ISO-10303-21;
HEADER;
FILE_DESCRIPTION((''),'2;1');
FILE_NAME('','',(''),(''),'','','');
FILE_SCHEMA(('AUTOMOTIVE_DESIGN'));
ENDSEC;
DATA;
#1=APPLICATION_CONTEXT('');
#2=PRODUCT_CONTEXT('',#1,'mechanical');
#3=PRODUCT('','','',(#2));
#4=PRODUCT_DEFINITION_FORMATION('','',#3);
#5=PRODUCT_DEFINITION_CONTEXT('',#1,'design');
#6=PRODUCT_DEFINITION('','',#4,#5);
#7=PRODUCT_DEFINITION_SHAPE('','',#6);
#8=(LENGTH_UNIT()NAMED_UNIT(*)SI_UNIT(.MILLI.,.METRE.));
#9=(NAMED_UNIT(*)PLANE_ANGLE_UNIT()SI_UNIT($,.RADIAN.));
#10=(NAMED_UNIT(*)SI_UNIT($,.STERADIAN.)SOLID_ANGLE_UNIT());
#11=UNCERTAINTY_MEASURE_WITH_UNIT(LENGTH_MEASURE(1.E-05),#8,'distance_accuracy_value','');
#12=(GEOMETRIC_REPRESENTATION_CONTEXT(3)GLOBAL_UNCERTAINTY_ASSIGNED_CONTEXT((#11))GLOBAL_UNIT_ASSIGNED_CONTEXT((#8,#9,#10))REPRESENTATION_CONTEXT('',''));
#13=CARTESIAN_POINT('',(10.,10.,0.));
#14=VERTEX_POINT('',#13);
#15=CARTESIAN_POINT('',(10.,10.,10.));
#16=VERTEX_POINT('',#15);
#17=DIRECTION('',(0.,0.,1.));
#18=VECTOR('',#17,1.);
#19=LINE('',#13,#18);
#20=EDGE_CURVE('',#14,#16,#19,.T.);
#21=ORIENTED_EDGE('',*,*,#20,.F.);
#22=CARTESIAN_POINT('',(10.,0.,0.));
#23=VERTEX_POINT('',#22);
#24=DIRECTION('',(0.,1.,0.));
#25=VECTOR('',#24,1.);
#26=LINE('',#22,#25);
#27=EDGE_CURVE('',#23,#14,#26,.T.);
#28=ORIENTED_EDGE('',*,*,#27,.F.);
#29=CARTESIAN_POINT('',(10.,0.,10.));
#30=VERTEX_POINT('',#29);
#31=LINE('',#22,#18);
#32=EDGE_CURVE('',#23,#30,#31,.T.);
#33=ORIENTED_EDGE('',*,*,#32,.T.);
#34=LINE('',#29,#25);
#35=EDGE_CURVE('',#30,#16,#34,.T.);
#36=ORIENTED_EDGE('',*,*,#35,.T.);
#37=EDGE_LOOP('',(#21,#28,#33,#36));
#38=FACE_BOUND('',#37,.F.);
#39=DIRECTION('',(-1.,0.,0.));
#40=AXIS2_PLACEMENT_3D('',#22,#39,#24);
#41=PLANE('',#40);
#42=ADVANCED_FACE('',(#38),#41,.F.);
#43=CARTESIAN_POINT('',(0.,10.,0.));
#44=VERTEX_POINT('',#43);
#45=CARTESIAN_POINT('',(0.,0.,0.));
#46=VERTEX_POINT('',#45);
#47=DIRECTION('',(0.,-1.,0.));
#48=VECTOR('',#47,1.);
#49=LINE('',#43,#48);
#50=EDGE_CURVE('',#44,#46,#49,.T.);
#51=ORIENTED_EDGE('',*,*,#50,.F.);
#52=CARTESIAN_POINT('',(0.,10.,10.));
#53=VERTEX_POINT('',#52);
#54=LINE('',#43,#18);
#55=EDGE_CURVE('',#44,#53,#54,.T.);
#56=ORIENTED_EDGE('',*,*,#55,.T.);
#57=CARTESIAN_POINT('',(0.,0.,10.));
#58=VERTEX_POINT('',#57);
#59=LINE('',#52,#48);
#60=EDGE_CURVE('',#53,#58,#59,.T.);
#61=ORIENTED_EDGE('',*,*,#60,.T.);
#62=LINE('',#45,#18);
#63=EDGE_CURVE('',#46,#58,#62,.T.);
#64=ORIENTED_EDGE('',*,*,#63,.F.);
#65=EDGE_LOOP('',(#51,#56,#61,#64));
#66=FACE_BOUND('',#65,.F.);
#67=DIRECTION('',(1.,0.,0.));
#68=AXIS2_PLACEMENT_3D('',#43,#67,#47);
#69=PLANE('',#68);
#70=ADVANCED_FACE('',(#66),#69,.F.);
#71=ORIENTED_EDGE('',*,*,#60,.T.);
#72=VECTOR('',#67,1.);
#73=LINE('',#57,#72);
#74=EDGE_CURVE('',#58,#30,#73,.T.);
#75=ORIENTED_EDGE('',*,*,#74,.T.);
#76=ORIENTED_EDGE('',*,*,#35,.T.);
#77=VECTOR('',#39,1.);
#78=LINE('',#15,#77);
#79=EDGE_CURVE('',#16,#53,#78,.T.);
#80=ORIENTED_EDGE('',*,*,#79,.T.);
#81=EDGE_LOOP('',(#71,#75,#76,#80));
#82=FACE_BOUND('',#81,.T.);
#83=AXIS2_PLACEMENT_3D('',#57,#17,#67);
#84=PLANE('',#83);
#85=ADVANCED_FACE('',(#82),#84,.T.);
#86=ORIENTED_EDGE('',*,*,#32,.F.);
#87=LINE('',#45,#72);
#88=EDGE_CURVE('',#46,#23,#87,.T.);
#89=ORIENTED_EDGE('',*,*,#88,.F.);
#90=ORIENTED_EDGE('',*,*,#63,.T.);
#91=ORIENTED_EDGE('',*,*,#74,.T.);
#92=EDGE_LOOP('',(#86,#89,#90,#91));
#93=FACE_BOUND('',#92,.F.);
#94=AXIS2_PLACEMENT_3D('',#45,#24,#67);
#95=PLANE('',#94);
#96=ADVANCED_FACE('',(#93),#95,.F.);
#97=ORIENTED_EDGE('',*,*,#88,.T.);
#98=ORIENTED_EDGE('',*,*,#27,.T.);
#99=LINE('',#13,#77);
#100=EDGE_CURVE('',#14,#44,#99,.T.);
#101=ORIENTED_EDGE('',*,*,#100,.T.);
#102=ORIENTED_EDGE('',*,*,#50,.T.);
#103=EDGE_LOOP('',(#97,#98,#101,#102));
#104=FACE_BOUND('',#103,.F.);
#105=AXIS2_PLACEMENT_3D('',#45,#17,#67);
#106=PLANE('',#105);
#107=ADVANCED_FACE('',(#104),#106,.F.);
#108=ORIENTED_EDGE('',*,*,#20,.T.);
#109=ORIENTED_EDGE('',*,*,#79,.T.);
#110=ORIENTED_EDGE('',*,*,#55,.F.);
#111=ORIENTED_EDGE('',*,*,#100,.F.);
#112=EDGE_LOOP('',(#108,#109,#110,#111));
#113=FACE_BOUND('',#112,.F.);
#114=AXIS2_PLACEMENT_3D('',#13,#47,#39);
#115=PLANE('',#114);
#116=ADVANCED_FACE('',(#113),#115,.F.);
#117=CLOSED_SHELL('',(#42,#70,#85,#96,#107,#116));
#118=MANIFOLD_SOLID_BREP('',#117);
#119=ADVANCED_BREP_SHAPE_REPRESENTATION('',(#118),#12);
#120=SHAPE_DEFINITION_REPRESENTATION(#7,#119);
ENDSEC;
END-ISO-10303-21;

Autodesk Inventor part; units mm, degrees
ref_plane "YZ Plane" through (0, 0, 0) normal (1, 0, 0) x (0, 1, 0)
ref_plane "XZ Plane" through (0, 0, 0) normal (0, 1, 0) x (-1, 0, 0)
ref_plane "XY Plane" through (0, 0, 0) normal (0, 0, 1) x (1, 0, 0)
sketch "Sketch1" plane through (0, 0, 0) normal (0, 0, 1) x (1, 0, 0)
  line L0 (0, 0) -> (10, 0)
  line L1 (10, 0) -> (10, 10)
  line L2 (10, 10) -> (0, 10)
  line L3 (0, 10) -> (0, 0)
  dimension "d0" = 10
  dimension "d1" = 10
extrude "Extrusion1" add sketch "Sketch1" along normal blind 10
properties part number "magnet" material "Aluminum 6061"
